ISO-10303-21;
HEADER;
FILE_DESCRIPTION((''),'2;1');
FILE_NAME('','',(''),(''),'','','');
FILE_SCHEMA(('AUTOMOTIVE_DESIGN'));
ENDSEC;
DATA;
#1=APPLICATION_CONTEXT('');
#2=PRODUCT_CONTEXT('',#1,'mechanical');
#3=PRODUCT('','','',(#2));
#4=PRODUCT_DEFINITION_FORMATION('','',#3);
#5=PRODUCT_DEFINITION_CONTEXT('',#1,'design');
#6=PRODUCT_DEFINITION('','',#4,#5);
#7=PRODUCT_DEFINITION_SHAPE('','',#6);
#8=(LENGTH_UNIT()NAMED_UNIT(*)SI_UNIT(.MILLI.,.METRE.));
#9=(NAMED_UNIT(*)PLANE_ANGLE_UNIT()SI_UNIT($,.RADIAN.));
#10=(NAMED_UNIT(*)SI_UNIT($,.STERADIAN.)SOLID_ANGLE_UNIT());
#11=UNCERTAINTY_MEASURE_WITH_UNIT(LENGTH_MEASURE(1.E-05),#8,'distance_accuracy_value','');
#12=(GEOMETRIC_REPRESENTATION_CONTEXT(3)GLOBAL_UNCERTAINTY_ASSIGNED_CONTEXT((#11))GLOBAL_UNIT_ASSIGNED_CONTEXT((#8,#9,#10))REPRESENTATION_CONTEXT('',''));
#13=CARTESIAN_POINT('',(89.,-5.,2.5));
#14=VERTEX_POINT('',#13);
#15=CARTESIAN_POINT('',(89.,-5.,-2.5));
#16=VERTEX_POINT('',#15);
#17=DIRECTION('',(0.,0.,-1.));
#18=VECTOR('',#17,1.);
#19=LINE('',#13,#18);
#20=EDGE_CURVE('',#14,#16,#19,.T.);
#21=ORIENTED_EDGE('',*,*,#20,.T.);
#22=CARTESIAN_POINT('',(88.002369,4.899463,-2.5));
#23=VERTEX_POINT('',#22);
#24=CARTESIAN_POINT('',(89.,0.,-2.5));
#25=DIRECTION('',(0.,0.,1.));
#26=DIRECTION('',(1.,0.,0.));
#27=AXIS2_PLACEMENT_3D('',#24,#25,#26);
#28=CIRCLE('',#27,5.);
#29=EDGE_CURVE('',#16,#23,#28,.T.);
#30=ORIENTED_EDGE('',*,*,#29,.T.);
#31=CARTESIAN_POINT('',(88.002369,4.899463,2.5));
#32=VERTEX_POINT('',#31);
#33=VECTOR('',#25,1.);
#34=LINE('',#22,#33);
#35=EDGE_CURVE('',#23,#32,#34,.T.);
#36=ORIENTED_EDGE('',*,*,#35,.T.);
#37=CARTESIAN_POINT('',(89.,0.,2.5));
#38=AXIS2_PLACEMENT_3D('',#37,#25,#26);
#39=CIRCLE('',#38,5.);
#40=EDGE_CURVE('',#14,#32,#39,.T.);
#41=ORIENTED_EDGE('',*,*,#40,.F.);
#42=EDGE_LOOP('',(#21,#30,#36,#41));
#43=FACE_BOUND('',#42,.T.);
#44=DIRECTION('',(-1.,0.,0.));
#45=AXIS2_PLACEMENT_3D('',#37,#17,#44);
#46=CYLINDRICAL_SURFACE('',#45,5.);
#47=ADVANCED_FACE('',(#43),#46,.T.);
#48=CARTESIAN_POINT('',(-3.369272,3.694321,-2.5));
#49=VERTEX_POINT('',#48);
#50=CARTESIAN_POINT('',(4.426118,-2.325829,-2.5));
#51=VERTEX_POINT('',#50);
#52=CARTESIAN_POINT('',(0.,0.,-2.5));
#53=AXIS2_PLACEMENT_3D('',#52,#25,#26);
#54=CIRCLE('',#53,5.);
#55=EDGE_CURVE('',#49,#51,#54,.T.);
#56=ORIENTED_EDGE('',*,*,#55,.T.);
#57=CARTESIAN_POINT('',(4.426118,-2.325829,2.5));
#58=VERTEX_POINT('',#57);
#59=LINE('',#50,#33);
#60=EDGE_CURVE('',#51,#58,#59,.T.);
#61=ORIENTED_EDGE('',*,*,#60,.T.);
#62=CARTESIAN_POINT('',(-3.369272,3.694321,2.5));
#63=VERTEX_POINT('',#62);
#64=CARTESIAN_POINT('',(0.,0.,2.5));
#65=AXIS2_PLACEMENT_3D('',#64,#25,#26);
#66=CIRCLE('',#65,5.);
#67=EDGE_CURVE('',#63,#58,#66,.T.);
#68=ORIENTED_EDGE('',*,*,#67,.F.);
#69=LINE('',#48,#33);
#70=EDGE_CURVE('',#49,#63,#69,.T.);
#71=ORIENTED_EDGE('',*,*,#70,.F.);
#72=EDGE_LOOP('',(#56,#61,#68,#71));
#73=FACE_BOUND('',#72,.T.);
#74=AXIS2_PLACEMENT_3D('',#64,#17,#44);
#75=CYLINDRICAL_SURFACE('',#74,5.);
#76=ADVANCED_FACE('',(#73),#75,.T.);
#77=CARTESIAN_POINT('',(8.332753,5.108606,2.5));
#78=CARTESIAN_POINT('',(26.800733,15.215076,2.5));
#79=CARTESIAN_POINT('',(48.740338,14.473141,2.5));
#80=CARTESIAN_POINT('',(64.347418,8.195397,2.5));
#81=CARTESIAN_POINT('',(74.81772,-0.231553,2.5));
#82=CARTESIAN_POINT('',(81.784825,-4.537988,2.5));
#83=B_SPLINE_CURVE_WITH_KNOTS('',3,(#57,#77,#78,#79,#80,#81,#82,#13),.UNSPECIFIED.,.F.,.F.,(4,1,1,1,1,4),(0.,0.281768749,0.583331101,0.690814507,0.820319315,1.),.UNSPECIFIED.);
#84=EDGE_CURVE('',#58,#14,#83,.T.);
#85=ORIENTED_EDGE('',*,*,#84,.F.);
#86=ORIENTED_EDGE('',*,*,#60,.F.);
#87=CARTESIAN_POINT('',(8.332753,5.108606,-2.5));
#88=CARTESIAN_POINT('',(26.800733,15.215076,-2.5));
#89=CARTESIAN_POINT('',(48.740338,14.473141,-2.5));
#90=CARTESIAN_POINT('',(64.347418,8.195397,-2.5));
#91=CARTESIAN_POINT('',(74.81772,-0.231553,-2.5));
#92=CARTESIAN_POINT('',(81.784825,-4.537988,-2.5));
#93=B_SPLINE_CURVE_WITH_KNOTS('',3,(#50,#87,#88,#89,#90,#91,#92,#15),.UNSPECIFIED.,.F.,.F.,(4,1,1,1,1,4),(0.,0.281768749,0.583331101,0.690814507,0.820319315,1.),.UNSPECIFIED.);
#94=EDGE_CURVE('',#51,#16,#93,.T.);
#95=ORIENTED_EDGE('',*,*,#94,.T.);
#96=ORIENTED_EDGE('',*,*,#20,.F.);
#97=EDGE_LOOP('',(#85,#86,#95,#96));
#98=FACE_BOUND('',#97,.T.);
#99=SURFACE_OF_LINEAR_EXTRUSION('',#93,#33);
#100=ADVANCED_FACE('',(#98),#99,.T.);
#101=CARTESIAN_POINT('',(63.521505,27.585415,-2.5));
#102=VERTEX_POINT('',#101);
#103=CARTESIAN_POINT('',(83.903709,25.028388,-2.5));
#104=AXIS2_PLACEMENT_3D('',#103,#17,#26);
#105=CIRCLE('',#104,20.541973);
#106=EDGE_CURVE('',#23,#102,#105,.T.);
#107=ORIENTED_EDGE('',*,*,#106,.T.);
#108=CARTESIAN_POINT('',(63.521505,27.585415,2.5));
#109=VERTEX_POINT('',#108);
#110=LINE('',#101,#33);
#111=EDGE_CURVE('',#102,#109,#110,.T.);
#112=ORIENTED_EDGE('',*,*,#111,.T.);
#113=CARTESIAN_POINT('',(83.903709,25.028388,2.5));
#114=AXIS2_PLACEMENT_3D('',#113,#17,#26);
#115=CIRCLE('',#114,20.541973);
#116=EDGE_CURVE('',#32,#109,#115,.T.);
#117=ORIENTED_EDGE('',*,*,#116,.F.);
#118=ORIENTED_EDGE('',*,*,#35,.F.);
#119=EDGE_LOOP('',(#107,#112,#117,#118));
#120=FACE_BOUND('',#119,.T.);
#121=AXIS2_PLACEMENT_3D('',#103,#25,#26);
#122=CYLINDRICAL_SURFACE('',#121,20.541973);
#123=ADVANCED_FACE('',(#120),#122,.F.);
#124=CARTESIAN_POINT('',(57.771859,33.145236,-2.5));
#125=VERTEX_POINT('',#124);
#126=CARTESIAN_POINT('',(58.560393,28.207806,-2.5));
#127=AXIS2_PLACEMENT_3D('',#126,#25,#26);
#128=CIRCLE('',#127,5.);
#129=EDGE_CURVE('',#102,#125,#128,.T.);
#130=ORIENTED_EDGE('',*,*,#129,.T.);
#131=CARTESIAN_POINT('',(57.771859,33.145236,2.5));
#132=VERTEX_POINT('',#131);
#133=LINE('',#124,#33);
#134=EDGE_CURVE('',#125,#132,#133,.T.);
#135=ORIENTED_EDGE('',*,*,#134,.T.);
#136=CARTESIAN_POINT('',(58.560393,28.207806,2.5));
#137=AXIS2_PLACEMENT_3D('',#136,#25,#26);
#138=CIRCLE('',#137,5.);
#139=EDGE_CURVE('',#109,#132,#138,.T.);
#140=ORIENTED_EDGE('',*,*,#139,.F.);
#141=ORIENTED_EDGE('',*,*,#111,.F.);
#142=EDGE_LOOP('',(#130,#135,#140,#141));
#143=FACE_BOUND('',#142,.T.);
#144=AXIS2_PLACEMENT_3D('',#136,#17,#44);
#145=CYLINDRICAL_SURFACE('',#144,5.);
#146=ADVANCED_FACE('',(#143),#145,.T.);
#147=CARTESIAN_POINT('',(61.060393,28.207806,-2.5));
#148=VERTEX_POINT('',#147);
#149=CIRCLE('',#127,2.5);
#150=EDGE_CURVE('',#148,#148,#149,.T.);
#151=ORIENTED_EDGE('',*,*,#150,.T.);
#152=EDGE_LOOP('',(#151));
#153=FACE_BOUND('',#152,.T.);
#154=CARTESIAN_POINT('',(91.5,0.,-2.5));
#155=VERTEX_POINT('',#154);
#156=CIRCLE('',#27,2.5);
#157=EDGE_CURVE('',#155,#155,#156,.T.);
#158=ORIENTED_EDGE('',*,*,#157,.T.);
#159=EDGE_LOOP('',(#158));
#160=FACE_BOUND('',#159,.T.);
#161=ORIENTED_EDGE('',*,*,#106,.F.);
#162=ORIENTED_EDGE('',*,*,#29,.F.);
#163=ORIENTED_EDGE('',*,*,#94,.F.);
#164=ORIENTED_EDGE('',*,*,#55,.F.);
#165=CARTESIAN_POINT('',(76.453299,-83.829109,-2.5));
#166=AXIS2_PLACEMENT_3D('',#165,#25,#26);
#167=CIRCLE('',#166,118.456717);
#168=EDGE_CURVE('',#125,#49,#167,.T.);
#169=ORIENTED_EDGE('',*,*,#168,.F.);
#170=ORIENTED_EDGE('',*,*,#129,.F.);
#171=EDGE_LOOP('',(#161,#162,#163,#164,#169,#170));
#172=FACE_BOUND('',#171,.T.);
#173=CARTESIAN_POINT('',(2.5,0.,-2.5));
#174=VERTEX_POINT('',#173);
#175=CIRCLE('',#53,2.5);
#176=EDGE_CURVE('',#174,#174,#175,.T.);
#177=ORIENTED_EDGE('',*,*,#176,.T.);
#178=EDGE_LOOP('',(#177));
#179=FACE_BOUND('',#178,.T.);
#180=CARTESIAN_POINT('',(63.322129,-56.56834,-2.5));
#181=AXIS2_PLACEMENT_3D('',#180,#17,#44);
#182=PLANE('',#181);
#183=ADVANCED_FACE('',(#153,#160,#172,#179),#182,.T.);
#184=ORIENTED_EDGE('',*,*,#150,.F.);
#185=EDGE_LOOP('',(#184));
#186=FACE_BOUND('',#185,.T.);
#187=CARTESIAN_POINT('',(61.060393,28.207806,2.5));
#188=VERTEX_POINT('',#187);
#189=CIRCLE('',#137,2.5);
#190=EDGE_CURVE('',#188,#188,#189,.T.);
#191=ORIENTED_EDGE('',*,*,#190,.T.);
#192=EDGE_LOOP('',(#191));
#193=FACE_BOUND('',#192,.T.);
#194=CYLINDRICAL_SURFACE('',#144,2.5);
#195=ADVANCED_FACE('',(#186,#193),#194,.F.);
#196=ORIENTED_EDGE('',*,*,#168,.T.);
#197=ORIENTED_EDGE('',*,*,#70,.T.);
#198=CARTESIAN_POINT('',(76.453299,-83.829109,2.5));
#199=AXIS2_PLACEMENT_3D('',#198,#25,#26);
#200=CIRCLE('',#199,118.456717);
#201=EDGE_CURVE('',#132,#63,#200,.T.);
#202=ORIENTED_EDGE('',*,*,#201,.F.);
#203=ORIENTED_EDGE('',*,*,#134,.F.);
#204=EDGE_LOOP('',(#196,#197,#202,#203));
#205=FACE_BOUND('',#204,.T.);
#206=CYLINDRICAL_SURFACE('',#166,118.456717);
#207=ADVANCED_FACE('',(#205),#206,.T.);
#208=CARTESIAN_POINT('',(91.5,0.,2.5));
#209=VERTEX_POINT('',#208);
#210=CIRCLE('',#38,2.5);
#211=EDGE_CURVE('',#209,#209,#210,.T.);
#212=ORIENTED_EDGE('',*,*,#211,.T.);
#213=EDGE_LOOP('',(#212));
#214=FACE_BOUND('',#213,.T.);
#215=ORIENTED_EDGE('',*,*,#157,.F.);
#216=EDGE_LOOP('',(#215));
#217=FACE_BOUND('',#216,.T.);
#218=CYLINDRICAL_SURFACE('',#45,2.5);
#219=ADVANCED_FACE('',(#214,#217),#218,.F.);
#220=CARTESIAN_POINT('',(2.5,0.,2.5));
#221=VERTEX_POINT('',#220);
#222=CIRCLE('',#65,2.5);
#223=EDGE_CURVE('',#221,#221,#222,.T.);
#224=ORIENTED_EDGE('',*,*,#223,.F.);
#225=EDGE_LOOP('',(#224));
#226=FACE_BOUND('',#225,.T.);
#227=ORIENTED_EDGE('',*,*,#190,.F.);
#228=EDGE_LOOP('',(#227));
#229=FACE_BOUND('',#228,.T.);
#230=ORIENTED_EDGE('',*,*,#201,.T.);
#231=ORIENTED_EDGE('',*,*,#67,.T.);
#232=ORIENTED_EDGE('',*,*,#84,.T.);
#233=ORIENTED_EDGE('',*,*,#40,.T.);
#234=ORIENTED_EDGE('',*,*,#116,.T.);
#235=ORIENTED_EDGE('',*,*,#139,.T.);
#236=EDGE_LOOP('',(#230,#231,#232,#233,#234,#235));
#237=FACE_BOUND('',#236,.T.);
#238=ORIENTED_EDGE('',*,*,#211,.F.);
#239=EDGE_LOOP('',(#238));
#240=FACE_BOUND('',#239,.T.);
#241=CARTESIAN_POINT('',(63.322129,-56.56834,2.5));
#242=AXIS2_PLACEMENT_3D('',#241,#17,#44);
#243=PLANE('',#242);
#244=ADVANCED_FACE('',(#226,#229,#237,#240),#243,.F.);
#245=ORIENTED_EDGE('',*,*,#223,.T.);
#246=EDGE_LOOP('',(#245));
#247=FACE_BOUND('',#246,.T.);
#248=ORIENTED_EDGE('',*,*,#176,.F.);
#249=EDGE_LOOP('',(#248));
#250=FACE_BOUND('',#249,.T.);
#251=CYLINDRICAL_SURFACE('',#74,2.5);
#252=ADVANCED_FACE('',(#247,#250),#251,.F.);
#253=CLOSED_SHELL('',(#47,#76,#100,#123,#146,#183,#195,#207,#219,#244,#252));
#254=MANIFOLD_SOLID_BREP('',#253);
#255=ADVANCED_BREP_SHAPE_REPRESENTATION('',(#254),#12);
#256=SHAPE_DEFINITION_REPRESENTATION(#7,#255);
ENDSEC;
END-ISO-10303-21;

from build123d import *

# Parameters (mm, degrees)
SKETCH_1_R          = 2.5
EXTRUDE_1_DEPTH     = 2.5
SKETCH_2_OUTSIDE_W  = 122.246
SKETCH_2_OUTSIDE_H  = 61.454
CUT_EXTRUDE_1_DEPTH = 5


with BuildPart() as part:
    # 草圖1 → 填料-伸長1 (new body, symmetric)
    with BuildSketch(Plane.XY):
        with BuildLine():
            Line((0, -5), (89, -5))
            ThreePointArc((89, -5), (93.65494965, -1.825224302), (92.398530891, 3.667422499))
            Line((92.398530891, 3.667422499), (61.958924149, 31.87522889))
            ThreePointArc((61.958924149, 31.87522889), (60.254323258, 32.912123681), (58.279993488, 33.199937797))
            ThreePointArc((58.279993488, 33.199937797), (24.304322989, 24.433991013), (-3.728789315, 3.331085445))
            ThreePointArc((-3.728789315, 3.331085445), (-4.563738995, -2.042617533), (0, -5))
        make_face()
        with Locations((89, 0)):
            Circle(SKETCH_1_R, mode=Mode.SUBTRACT)
        with Locations((58.560393258, 28.207806391)):
            Circle(SKETCH_1_R, mode=Mode.SUBTRACT)
        Circle(SKETCH_1_R, mode=Mode.SUBTRACT)
    extrude(amount=EXTRUDE_1_DEPTH, both=True)

    # 草圖2 outside → 除料-伸長1 (cut)
    with BuildSketch(Plane.XY.offset(2.5)):
        with Locations((44.5, 14.104)):
            Rectangle(SKETCH_2_OUTSIDE_W, SKETCH_2_OUTSIDE_H)
        with BuildLine():
            ThreePointArc((89, -5), (93.974802144, 0.501341826), (88.002369443, 4.899462549))
            ThreePointArc((88.002369443, 4.899462549), (69.941203596, 9.961169209), (63.521504981, 27.585415456))
            ThreePointArc((63.521504981, 27.585415456), (62.036094915, 31.802176711), (57.771858796, 33.145236229))
            ThreePointArc((57.771858796, 33.145236229), (25.047082101, 22.891997102), (-3.369271636, 3.694321134))
            ThreePointArc((-3.369271636, 3.694321134), (-3.0561059, -3.957299171), (4.426117807, -2.325829134))
            add(Edge.make_bspline(
                [(4.426117807, -2.325829134), (8.332752679, 5.108606147), (26.800732902, 15.21507614), (48.740337839, 14.473140614), (64.347418315, 8.195396514), (74.817720457, -0.231553234), (81.784825156, -4.537988126), (89, -5)],
                knots=[0, 0, 0, 0, 0.281768749, 0.583331101, 0.690814507, 0.820319315, 1, 1, 1, 1], degree=3))
        make_face(mode=Mode.SUBTRACT)
    extrude(amount=-CUT_EXTRUDE_1_DEPTH, mode=Mode.SUBTRACT)


solid = part.part
